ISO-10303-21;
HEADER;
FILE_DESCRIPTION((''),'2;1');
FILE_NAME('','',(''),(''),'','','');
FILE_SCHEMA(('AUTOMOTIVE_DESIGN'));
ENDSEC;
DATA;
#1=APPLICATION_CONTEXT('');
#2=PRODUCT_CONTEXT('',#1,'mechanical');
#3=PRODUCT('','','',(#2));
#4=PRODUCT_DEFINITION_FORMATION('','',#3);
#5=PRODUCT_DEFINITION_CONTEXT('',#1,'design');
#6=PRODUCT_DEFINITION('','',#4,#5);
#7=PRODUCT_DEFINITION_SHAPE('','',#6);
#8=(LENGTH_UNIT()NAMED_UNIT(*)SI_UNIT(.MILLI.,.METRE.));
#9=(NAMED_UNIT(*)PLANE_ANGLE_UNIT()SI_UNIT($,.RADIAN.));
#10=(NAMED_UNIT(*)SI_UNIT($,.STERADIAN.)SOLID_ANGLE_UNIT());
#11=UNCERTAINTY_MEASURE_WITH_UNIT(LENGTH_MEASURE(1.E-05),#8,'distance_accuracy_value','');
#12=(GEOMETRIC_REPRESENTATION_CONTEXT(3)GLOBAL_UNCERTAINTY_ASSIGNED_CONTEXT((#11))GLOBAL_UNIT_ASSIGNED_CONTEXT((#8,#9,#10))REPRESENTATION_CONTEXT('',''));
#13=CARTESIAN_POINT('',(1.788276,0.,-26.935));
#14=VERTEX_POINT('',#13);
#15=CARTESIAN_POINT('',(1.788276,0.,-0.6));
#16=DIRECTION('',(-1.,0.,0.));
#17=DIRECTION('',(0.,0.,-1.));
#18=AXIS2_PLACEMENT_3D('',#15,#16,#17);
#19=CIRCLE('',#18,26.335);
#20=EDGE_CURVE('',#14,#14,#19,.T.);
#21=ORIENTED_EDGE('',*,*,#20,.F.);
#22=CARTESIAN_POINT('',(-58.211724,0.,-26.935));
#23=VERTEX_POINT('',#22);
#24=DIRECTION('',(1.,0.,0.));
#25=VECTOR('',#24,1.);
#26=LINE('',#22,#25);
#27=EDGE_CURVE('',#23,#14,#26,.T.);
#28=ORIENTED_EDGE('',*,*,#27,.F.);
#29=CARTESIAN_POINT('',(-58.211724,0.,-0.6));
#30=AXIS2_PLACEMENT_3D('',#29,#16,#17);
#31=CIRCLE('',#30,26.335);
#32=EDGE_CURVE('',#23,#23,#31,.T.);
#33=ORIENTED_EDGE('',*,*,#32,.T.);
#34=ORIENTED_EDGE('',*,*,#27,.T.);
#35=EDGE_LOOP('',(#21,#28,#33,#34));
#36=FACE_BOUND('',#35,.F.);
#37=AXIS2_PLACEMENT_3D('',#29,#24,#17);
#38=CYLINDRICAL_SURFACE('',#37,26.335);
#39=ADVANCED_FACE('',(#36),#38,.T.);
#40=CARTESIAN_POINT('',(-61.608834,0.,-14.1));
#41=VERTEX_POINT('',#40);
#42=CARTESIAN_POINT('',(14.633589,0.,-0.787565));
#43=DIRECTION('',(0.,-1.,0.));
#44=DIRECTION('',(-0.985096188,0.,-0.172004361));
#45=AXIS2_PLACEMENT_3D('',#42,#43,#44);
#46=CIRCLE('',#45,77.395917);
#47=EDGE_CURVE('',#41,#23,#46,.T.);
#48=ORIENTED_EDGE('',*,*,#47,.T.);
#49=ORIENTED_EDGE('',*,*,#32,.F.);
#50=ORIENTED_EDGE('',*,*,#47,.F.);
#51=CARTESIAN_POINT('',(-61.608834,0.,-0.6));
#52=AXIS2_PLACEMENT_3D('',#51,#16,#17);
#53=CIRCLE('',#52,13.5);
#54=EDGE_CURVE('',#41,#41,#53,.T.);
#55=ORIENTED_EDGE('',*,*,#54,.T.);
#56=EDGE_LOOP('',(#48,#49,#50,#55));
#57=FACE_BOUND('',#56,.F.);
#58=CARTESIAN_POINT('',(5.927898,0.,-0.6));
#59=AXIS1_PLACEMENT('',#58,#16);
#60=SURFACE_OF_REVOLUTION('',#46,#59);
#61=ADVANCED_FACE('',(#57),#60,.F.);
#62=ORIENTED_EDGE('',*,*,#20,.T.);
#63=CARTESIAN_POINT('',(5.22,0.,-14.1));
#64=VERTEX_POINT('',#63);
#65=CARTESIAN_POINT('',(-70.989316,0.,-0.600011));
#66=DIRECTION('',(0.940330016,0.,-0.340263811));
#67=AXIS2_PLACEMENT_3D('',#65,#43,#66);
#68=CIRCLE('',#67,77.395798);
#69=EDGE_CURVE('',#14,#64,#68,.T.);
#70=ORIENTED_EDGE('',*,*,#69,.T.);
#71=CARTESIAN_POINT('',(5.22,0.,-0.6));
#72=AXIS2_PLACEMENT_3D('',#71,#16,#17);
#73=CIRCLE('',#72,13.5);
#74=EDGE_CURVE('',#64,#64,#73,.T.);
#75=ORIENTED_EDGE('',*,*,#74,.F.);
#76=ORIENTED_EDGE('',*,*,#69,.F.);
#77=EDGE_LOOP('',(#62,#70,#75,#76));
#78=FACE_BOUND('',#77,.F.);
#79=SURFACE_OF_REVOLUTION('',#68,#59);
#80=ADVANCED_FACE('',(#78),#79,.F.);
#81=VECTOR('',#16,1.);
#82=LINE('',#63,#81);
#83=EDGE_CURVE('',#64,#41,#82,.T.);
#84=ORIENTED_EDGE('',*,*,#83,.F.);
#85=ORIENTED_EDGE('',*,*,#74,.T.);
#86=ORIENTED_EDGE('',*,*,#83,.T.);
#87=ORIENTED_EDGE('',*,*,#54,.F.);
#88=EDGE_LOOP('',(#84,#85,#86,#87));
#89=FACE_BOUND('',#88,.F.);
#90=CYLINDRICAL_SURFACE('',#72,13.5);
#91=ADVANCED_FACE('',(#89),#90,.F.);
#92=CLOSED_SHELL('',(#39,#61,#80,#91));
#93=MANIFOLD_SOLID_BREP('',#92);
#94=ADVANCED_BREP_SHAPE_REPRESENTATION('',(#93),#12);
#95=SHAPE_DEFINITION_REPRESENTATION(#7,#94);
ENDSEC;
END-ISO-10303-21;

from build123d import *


with BuildPart() as f1:
    # F0 (on Front) → F1 (revolve)
    with BuildSketch(Plane.XZ):
        with BuildLine():
            Line((-58.211724, -26.935), (1.788276, -26.935))
            ThreePointArc((1.788276, -26.935), (3.780056, -20.591273), (5.22, -14.1))
            Line((5.22, -14.1), (-28.207292, -14.1))
            Line((-28.207292, -14.1), (-61.608834, -14.1))
            ThreePointArc((-61.608834, -14.1), (-60.186011, -20.59048), (-58.211724, -26.935))
        make_face()
    revolve(axis=Axis((5.927898, 0, -0.6), (-1, 0, 0)))


solid = f1.part
